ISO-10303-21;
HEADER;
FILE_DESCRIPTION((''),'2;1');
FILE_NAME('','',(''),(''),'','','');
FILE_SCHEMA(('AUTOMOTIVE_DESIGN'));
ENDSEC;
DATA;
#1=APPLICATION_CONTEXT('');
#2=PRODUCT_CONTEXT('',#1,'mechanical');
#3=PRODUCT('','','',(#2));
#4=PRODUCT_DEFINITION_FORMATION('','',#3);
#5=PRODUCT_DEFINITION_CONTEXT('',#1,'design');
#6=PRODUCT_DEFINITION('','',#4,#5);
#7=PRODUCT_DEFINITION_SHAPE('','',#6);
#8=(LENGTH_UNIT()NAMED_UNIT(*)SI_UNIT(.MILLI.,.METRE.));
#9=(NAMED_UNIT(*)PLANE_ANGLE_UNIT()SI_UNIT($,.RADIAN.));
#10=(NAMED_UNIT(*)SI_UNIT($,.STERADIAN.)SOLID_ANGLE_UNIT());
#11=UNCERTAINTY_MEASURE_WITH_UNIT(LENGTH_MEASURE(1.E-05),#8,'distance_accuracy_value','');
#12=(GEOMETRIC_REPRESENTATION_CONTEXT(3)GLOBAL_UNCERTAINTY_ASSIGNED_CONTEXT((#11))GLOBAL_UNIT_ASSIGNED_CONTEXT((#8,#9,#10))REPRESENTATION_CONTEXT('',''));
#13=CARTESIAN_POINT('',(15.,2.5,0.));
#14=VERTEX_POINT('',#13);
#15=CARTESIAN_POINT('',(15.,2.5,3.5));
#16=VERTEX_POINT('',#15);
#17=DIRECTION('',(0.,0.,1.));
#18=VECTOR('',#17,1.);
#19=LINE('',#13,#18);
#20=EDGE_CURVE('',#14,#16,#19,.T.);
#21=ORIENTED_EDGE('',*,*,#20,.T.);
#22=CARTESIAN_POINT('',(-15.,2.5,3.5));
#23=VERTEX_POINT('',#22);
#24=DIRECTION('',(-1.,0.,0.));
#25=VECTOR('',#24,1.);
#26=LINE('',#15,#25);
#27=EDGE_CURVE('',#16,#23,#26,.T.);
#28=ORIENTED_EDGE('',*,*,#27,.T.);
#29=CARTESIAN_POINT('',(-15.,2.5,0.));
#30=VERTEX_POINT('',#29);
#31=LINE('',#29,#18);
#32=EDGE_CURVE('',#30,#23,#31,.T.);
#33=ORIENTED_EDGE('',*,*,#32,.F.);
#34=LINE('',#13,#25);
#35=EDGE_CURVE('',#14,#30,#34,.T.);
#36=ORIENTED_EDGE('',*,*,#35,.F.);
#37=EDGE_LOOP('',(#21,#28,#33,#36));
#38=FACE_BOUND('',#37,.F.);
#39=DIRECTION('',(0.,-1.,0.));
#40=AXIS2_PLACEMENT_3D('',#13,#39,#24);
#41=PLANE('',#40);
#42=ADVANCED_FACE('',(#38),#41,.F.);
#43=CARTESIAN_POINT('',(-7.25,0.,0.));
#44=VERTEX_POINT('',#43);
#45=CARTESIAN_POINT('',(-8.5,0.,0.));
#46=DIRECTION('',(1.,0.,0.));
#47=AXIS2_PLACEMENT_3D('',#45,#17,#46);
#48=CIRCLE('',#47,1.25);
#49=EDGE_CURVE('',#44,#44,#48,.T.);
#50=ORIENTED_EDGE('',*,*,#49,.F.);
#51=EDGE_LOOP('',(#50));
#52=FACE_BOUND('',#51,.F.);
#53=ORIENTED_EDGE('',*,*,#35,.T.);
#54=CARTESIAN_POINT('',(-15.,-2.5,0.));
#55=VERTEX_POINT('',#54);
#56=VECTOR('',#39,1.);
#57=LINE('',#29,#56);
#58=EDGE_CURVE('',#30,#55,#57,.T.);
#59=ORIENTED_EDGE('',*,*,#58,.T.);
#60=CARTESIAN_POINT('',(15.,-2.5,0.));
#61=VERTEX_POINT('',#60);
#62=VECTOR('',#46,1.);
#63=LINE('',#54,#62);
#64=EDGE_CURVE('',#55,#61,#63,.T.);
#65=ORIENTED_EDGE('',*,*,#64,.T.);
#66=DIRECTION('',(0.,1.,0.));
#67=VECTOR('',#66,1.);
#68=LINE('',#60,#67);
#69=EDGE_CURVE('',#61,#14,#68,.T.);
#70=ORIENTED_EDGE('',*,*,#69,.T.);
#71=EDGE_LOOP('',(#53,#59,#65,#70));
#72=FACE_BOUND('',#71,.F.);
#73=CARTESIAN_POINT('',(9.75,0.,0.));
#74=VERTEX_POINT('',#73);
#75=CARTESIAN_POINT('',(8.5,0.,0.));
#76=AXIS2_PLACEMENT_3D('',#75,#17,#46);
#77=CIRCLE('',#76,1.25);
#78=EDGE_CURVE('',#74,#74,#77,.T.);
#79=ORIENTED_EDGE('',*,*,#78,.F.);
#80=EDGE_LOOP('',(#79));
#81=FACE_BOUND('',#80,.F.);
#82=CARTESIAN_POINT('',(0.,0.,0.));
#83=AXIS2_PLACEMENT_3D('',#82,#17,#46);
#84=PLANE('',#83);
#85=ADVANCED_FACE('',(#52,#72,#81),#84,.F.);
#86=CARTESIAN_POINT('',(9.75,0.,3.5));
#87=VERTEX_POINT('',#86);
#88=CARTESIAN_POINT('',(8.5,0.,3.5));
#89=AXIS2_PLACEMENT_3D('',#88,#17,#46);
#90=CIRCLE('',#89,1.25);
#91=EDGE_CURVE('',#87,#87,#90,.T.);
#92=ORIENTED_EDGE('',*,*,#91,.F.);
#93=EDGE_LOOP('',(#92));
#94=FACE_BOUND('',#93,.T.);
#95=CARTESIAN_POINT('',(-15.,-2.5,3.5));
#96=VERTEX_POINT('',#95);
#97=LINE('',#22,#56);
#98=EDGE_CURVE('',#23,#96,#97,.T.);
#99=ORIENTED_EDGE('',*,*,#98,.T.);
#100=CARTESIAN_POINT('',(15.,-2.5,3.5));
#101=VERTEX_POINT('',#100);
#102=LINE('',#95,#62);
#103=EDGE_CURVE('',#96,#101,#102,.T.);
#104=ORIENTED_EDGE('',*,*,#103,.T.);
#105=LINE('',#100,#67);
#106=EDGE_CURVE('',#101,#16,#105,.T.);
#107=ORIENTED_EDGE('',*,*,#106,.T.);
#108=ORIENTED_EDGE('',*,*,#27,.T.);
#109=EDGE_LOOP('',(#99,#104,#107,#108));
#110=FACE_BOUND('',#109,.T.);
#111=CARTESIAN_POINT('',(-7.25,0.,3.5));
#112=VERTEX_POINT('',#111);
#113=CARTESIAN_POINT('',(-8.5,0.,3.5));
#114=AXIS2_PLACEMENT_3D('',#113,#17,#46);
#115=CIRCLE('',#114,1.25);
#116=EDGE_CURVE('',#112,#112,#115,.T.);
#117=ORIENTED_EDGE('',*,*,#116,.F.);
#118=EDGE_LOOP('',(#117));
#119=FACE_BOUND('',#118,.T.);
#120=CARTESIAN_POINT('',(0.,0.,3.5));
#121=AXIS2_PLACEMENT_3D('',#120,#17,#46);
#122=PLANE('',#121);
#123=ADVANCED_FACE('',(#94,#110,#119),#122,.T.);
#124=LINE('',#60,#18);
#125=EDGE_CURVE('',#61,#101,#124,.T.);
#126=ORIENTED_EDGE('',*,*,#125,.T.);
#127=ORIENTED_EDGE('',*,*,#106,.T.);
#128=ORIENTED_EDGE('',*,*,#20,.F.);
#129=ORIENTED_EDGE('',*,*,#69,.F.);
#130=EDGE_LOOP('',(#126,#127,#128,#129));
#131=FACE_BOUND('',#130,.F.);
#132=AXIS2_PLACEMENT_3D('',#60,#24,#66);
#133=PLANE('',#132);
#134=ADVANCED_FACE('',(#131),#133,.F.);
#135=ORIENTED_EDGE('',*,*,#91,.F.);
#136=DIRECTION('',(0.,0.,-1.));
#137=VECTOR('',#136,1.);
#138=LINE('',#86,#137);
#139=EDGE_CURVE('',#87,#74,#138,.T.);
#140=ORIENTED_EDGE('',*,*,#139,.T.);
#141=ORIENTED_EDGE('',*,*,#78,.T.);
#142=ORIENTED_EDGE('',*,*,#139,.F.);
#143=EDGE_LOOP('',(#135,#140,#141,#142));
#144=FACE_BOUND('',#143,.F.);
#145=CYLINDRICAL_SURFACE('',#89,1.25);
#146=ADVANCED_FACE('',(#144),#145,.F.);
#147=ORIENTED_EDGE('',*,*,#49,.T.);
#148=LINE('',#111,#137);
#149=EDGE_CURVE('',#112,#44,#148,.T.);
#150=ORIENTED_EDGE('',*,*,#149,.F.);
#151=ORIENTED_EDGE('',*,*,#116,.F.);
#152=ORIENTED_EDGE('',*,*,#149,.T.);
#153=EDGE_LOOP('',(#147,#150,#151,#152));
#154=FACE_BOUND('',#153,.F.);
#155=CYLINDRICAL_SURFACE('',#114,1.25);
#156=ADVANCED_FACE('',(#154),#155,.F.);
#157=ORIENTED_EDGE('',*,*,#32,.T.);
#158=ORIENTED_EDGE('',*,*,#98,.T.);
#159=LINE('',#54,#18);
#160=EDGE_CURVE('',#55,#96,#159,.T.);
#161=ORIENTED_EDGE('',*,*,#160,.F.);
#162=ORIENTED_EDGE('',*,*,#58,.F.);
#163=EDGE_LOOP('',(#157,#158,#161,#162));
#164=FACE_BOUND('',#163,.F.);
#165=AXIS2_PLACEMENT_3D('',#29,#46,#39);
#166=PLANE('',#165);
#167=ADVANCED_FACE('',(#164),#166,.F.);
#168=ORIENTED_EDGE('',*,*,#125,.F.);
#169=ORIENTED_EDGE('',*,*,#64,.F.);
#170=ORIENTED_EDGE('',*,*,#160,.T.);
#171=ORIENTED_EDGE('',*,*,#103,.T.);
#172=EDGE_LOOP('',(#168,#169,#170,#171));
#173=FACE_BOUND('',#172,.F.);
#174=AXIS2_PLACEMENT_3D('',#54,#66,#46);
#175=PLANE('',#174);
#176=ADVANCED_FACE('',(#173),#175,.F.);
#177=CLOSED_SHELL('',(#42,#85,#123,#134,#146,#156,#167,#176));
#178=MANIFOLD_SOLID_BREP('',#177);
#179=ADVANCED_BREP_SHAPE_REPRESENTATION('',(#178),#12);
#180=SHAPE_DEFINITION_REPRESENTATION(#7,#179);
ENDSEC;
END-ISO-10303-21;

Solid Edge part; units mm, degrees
sketch "Sketch1" plane through (0, 0, 0) normal (0, 0, 1) x (1, 0, 0)
  line L0 (-15, -2.5) -> (15, -2.5)
  line L1 (15, -2.5) -> (15, 2.5)
  line L2 (15, 2.5) -> (-15, 2.5)
  line L3 (-15, 2.5) -> (-15, -2.5)
  dimension "D1" = 30
  dimension "D2" = 5
extrude "Protrusion1" add sketch "Sketch1" along normal blind 3.5
sketch "Sketch2" plane through (0, 0, 3.5) normal (0, 0, 1) x (1, 0, 0)
  circle A0 centre (-8.5, 0) radius 1.25
  circle A1 centre (8.5, 0) radius 1.25
  dimension "D1" = 2.5
  dimension "D2" = 8.5
  dimension "D3" = 8.5
extrude "Cutout1" cut sketch "Sketch2" against normal through all
properties material "ABS Plastic, medium impact"
